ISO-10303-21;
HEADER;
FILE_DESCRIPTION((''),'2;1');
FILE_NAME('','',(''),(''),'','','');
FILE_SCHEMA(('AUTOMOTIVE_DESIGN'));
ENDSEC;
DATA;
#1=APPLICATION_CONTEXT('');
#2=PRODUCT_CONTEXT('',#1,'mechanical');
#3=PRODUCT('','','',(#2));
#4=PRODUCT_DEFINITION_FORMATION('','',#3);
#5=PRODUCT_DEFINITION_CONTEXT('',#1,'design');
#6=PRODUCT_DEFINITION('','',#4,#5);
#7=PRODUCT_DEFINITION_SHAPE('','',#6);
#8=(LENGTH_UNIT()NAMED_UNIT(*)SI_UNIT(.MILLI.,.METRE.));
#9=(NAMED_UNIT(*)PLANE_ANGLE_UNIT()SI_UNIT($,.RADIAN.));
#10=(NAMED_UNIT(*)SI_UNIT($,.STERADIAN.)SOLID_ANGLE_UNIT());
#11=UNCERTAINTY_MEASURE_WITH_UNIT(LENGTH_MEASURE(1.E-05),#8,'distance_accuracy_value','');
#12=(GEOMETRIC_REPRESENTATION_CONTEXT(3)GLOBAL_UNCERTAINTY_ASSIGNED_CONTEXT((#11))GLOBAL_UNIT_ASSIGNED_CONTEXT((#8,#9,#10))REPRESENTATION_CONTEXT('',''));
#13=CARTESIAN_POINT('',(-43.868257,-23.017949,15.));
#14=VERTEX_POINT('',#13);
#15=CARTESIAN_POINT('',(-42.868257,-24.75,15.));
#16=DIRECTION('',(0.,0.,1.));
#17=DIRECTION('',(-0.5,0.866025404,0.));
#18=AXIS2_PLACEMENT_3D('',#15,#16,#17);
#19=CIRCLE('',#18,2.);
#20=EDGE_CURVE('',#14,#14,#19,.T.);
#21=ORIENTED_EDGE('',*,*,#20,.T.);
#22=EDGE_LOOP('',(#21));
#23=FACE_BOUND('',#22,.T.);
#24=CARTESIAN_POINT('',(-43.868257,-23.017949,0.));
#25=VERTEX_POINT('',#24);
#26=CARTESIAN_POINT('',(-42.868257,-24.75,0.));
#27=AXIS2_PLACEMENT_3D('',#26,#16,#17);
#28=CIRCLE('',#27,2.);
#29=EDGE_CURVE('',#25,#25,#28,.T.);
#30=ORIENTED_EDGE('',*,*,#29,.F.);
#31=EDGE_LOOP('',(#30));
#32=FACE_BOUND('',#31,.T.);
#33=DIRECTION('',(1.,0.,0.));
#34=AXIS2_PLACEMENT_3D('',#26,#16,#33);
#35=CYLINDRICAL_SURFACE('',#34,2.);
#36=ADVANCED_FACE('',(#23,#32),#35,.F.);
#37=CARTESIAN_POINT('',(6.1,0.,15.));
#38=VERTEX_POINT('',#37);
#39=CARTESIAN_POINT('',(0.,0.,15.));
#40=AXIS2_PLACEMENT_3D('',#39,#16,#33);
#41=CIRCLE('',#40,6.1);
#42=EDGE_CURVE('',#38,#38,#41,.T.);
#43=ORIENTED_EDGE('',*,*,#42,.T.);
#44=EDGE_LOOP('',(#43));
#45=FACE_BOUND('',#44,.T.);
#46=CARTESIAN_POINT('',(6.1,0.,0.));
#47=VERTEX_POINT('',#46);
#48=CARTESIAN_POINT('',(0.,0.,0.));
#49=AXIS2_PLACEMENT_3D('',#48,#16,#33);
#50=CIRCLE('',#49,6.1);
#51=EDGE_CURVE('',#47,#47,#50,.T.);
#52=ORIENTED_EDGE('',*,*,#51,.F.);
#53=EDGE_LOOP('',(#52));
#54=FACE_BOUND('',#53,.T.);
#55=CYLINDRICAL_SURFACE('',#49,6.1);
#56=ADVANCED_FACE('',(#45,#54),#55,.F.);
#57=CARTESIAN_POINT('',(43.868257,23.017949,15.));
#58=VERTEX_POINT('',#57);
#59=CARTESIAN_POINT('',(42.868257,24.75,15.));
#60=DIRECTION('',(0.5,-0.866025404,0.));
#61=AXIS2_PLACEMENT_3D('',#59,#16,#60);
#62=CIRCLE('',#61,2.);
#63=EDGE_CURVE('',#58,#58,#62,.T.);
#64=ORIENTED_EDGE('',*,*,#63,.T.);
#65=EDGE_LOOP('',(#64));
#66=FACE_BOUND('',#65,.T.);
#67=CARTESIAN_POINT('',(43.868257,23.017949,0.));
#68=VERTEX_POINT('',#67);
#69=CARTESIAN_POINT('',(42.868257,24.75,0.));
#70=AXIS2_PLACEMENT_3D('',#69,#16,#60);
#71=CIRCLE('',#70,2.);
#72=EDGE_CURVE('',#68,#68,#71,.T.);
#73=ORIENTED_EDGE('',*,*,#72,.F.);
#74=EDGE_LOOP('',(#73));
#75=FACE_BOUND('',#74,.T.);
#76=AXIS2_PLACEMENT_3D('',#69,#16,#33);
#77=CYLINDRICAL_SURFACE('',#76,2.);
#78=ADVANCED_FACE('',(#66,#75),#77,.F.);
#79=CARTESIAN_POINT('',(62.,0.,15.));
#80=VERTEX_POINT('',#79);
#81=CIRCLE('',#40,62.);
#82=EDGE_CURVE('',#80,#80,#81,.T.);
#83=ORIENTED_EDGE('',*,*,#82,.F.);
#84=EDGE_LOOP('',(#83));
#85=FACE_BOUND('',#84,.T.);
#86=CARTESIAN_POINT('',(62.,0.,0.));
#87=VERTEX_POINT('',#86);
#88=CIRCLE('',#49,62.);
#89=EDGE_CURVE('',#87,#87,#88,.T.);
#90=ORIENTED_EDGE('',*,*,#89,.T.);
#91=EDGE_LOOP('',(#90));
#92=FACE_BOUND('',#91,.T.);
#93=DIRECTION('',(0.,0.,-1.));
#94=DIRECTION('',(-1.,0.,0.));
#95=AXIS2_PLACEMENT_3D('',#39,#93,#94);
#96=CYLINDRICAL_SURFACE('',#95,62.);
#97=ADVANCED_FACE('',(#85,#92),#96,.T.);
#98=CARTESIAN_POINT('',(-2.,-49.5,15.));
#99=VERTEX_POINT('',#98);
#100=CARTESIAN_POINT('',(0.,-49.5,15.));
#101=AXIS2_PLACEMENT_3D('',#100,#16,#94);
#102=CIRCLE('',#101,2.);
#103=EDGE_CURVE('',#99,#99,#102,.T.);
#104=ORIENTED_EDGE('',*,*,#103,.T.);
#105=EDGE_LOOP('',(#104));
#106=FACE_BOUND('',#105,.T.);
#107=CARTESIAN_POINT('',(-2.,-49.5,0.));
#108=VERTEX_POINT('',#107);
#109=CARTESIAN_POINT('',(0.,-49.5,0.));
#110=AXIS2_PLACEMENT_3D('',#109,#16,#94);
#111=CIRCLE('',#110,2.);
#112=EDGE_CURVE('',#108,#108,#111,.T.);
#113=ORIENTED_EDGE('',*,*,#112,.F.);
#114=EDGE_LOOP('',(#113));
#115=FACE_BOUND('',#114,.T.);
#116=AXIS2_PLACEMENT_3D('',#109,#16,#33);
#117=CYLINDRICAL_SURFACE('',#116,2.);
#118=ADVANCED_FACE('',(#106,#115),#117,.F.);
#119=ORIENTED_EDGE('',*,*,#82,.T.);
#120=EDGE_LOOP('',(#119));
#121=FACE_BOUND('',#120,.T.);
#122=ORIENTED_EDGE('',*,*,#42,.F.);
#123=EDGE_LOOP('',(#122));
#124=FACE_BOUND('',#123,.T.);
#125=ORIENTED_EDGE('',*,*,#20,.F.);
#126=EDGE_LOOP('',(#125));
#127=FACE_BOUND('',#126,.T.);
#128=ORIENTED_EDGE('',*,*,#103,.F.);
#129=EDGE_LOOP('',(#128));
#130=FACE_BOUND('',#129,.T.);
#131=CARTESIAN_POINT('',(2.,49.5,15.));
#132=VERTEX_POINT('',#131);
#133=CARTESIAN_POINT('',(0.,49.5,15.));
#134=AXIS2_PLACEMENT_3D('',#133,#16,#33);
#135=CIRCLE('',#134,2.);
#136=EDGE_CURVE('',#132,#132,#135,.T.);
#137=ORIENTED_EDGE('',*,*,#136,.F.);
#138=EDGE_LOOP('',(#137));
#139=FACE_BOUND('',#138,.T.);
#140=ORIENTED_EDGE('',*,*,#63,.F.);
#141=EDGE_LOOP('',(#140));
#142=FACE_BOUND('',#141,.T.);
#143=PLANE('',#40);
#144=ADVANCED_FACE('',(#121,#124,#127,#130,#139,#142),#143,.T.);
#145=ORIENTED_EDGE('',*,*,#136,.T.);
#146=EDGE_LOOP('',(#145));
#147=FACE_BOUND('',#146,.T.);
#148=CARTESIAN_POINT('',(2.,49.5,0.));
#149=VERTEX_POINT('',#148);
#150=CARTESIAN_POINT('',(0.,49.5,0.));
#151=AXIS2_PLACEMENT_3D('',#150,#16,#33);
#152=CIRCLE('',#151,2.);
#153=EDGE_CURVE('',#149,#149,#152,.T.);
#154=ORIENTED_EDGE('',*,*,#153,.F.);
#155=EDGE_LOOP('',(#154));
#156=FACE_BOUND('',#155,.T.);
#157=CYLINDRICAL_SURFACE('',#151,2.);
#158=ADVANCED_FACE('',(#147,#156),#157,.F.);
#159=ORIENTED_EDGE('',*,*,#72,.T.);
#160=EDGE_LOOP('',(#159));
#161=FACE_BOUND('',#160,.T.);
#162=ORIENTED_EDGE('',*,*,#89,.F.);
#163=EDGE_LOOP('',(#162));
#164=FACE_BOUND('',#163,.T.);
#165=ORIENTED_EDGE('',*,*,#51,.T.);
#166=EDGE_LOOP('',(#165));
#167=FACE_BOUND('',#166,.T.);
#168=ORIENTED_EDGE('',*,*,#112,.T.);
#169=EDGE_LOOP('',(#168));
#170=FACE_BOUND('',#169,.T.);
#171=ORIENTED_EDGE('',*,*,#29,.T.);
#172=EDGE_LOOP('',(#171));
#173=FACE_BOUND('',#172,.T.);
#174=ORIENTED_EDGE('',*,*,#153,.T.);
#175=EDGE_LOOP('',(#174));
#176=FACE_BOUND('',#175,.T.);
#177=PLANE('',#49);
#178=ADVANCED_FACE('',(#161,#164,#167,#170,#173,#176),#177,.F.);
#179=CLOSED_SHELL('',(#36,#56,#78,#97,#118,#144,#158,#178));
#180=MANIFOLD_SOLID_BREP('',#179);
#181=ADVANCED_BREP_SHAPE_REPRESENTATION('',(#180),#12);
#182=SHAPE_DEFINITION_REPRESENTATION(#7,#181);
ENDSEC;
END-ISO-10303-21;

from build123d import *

# Parameters (mm, degrees)
SKETCH1_R                   = 62
BOSS_EXTRUDE1_DEPTH         = 15
SKETCH2_R                   = 2
CUT_EXTRUDE1_DEPTH          = 15
CIRPATTERN1_COUNT           = 2
CIRPATTERN1_ANGLE           = 60
CIRPATTERN2_COUNT           = 2
CIRPATTERN2_COPY_1_SKETCH_R = 2
CIRPATTERN2_COPY_1_DEPTH    = 15
SKETCH3_R                   = 6.1
CUT_EXTRUDE2_DEPTH          = 15


with BuildPart() as part:
    # Sketch1 → Boss-Extrude1 (new body)
    with BuildSketch(Plane.XY):
        Circle(SKETCH1_R)
    extrude(amount=BOSS_EXTRUDE1_DEPTH)

    # Sketch2 → Cut-Extrude1 (cut)
    with BuildSketch(Plane.XY.offset(15)):
        with Locations((0, 49.5)):
            Circle(SKETCH2_R)
    cut_extrude1 = extrude(amount=-CUT_EXTRUDE1_DEPTH, mode=Mode.SUBTRACT)

    # CirPattern1: Cut-Extrude1 ×2 about axis
    cirpattern1_axis = Axis((0, 0, 15), (0, 0, -1))
    for i in range(1, CIRPATTERN1_COUNT):
        add(cut_extrude1.rotate(cirpattern1_axis, i * CIRPATTERN1_ANGLE / (CIRPATTERN1_COUNT - 1)), mode=Mode.SUBTRACT)

    # CirPattern2: Cut-Extrude1 ×2 about axis
    cirpattern2_axis = Axis((0, 0, 15), (0, 0, -1))
    for i in range(1, CIRPATTERN2_COUNT):
        add(cut_extrude1.rotate(cirpattern2_axis, i * 360 / CIRPATTERN2_COUNT), mode=Mode.SUBTRACT)

    # CirPattern2 copy 1 sketch → CirPattern2 copy 1 (cut)
    with BuildSketch(Plane(origin=(0, 0, 15), x_dir=(-0.4999999999999979, 0.8660254037844398, 0), z_dir=(0, 0, 1))):
        with Locations((0, 49.5)):
            Circle(CIRPATTERN2_COPY_1_SKETCH_R)
    extrude(amount=-CIRPATTERN2_COPY_1_DEPTH, mode=Mode.SUBTRACT)

    # Sketch3 → Cut-Extrude2 (cut)
    with BuildSketch(Plane.XY.offset(15)):
        Circle(SKETCH3_R)
    extrude(amount=-CUT_EXTRUDE2_DEPTH, mode=Mode.SUBTRACT)


solid = part.part
